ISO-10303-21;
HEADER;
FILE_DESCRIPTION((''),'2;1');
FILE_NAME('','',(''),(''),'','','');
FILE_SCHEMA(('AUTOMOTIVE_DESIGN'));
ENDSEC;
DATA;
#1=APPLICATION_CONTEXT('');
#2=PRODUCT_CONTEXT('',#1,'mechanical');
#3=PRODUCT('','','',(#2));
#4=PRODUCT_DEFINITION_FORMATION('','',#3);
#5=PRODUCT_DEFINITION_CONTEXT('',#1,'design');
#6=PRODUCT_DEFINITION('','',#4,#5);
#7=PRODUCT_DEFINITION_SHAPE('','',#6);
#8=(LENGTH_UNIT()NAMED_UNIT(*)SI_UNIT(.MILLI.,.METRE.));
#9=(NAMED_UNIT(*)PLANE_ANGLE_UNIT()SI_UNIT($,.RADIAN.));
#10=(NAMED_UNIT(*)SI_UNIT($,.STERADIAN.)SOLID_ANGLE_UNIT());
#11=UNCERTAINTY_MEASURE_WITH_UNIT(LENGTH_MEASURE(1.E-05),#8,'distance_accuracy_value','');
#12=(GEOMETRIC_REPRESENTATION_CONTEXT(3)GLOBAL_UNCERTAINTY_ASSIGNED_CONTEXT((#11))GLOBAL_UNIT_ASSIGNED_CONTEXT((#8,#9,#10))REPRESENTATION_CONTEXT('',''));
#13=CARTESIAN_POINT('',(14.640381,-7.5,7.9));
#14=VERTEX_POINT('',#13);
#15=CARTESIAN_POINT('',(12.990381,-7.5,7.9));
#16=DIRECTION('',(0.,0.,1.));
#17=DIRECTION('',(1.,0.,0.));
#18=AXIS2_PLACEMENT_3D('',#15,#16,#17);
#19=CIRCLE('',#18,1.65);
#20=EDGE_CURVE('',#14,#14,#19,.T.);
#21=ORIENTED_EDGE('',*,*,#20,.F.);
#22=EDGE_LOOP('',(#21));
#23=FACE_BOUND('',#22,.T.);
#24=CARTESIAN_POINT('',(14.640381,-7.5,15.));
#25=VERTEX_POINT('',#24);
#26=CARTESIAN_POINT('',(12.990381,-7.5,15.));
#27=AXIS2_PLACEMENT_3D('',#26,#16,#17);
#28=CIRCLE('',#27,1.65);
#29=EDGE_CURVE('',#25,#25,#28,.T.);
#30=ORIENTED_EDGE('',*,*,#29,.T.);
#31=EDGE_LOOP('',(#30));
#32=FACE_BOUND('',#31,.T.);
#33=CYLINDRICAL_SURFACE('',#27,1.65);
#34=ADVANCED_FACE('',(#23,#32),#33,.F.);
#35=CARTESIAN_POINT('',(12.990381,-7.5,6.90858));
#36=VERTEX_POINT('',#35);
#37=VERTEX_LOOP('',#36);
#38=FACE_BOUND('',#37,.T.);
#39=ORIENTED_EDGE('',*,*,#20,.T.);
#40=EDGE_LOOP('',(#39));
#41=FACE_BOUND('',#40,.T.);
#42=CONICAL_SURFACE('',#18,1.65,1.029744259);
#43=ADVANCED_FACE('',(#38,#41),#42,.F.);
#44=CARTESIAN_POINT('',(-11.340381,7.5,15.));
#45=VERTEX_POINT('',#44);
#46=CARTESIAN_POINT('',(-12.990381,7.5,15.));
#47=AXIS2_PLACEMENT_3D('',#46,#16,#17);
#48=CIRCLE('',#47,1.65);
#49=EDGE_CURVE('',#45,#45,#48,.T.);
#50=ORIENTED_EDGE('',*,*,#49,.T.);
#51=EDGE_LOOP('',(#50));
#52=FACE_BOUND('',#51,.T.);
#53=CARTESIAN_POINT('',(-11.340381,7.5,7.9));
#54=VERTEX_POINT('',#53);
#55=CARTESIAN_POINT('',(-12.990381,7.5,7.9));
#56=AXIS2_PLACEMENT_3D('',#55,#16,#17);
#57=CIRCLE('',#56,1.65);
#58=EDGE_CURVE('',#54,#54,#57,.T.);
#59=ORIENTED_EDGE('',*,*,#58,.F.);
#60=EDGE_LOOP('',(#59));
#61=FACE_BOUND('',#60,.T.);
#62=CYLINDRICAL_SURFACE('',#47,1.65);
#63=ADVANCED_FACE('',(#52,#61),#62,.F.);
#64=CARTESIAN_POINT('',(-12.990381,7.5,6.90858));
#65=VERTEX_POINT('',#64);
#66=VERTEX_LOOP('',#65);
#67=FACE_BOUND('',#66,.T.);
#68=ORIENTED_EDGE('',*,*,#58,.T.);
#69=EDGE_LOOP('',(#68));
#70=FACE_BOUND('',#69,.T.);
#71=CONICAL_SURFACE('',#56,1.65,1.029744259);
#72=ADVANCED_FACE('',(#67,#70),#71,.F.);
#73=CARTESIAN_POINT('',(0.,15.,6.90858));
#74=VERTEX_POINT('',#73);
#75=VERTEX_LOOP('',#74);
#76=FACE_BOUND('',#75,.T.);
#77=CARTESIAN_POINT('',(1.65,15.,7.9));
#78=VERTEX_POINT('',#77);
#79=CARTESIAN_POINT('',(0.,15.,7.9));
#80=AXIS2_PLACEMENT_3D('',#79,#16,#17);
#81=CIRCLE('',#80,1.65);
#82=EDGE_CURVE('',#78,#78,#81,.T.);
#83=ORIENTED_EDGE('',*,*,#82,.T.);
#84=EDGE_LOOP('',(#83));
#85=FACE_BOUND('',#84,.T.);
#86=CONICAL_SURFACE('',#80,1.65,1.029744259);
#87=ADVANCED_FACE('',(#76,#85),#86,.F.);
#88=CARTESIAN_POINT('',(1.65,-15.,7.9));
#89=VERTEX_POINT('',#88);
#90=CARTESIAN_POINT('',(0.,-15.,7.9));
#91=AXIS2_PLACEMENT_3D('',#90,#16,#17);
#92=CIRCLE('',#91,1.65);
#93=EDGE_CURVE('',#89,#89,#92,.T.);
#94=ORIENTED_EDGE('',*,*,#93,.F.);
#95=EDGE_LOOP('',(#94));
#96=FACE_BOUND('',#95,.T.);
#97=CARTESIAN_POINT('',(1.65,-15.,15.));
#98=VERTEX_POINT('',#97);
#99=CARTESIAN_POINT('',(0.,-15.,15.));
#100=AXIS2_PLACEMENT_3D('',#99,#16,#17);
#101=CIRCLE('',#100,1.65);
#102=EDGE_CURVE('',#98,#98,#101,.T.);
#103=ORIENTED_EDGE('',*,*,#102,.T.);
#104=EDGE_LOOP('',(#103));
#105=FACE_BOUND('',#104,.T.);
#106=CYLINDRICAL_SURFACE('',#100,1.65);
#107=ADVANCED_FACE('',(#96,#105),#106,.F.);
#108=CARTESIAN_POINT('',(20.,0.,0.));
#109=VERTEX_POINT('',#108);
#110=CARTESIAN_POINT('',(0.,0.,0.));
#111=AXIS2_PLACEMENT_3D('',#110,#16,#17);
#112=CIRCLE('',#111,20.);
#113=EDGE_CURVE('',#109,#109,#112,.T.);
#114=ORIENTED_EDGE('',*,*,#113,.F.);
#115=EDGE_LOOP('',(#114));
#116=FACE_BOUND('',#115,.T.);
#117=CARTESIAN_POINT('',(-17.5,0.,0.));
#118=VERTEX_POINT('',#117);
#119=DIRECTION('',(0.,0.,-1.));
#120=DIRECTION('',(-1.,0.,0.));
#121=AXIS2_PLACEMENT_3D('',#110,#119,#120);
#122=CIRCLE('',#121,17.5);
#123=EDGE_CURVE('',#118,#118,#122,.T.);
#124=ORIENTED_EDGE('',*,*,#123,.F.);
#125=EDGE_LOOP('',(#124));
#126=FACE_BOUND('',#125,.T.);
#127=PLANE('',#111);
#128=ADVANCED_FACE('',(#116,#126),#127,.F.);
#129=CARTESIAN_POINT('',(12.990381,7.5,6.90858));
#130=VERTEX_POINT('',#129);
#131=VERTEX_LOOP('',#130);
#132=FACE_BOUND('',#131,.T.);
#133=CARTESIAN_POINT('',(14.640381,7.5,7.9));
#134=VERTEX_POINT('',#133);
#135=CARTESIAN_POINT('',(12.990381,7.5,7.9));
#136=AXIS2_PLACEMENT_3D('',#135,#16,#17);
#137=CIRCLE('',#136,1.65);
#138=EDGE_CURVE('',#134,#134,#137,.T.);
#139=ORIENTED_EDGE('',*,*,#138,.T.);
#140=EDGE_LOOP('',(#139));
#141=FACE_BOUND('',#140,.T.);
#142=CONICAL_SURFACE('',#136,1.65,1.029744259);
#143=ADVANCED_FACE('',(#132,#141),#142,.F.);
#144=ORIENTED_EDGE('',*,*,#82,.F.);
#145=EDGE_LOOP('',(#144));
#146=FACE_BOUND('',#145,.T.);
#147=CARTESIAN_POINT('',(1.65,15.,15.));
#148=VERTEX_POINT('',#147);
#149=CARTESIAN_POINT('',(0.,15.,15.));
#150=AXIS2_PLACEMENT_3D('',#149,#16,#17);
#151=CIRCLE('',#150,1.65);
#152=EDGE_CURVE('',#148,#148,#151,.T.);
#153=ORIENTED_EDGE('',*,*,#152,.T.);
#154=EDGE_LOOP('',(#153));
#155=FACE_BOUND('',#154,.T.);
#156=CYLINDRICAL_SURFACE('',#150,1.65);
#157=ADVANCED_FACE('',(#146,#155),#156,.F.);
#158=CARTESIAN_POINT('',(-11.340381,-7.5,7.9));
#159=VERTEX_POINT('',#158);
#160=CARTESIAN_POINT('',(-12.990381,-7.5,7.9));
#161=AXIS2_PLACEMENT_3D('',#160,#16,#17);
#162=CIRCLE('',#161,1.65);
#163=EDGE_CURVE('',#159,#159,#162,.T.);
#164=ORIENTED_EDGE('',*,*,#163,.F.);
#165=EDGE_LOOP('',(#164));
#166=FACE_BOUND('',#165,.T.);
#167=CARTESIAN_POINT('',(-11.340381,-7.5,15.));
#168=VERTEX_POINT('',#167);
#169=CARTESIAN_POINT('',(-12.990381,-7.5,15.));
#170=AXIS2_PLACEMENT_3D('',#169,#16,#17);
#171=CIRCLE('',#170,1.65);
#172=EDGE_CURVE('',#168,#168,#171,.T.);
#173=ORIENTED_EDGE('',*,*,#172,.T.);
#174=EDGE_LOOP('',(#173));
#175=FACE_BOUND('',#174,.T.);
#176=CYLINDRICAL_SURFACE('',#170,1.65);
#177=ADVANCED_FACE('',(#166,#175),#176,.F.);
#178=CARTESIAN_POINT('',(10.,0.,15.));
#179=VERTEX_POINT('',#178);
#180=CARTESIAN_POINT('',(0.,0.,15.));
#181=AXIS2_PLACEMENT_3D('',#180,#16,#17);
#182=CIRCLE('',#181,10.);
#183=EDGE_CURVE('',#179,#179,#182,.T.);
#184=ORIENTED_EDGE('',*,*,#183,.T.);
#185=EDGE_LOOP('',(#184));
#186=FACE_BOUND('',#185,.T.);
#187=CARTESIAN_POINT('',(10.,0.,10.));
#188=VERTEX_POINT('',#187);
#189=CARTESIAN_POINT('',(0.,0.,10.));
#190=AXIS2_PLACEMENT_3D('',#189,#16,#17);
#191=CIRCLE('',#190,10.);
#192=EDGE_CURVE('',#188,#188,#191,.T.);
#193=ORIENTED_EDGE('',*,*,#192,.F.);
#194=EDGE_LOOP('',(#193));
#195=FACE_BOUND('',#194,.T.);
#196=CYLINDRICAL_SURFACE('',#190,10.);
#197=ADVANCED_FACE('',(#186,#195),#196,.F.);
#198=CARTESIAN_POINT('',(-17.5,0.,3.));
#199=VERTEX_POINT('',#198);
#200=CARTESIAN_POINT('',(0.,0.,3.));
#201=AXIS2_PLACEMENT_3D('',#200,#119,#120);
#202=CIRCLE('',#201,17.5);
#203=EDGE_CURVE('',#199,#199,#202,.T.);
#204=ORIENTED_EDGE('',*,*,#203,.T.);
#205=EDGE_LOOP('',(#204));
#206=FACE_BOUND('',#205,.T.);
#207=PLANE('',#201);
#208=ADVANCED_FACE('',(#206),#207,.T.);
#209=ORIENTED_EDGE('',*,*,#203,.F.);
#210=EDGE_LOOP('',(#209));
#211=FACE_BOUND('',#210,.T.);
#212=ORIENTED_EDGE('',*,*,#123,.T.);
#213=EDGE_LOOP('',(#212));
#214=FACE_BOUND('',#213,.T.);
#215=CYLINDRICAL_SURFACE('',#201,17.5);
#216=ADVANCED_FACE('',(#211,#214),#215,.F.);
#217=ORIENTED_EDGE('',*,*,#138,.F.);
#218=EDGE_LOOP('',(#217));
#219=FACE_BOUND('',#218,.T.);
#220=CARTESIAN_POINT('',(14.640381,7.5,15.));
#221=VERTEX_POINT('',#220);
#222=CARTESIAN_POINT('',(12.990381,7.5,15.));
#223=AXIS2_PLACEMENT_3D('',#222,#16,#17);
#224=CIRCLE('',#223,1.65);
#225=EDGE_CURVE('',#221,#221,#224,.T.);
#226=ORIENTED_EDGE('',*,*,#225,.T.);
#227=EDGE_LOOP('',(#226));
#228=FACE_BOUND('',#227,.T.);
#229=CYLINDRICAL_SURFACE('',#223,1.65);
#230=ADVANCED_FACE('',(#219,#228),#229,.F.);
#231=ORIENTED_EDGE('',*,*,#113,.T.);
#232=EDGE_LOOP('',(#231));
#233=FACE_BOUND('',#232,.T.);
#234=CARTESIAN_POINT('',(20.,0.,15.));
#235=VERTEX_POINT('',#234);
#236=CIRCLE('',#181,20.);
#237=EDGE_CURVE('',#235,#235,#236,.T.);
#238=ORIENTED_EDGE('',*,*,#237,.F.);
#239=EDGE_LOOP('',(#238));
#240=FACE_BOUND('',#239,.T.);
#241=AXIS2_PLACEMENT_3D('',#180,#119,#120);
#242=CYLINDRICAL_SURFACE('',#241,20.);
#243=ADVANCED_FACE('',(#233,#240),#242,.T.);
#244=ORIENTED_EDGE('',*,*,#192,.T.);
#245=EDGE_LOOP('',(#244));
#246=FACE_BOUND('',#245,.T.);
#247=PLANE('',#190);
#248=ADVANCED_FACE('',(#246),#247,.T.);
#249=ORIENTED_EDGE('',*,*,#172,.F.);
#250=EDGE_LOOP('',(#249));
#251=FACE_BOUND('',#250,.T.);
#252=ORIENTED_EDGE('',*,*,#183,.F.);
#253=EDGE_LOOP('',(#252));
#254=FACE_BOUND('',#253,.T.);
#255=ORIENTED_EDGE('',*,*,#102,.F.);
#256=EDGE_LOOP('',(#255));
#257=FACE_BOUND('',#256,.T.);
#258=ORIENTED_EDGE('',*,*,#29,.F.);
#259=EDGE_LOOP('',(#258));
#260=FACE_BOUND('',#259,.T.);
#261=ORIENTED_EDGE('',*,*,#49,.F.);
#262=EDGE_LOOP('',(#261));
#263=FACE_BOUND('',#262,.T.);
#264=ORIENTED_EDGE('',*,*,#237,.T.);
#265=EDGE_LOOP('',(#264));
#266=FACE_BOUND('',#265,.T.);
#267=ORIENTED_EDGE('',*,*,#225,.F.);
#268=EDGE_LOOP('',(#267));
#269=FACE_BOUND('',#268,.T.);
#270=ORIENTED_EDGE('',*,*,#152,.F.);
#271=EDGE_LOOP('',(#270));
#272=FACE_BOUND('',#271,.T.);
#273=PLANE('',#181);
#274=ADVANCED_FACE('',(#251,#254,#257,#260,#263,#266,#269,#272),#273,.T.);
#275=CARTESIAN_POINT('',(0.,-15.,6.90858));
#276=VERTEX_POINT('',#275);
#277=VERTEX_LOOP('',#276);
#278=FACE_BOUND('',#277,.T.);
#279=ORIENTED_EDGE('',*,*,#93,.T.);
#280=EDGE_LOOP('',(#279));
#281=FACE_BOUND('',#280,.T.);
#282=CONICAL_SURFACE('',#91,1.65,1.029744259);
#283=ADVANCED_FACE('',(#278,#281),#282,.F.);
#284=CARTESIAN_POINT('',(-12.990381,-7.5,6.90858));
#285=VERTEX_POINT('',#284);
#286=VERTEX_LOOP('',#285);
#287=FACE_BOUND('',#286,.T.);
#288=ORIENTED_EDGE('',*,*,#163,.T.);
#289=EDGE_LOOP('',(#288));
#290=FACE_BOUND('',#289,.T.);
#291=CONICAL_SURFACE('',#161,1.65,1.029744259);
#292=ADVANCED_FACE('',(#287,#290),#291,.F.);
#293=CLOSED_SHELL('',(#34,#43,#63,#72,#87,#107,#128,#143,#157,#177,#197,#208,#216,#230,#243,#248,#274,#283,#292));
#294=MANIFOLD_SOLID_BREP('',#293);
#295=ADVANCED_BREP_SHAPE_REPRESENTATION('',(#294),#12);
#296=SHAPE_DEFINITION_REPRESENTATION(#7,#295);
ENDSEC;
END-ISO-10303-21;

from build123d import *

# Parameters (mm, degrees)
SKETCH1_R           = 20
BOSS_EXTRUDE1_DEPTH = 15
SKETCH2_R           = 10
CUT_EXTRUDE1_DEPTH  = 5
CIRPATTERN2_COUNT   = 6
SKETCH5_R           = 17.5
CUT_EXTRUDE2_DEPTH  = 3


with BuildPart() as part:
    # Sketch1 → Boss-Extrude1 (new body)
    with BuildSketch(Plane.XY):
        Circle(SKETCH1_R)
    extrude(amount=BOSS_EXTRUDE1_DEPTH)

    # Sketch2 → Cut-Extrude1 (cut)
    with BuildSketch(Plane.XY.offset(15)):
        Circle(SKETCH2_R)
    extrude(amount=-CUT_EXTRUDE1_DEPTH, mode=Mode.SUBTRACT)

    # Sketch4 → M4x0.7 Tapped Hole1 (revolve, cut)
    with BuildSketch(Plane(origin=(0, 15, 15), x_dir=(0, -1, 0), z_dir=(1, 0, 0))):
        Polygon((0, 0), (0, 8.091420021), (1.65, 7.1), (1.65, 0), align=None)
    m4x0_7_tapped_hole1 = revolve(axis=Axis((0, 15, 21.35), (0, 0, -1)), mode=Mode.SUBTRACT)

    # CirPattern2: M4x0.7 Tapped Hole1 ×6 about axis
    cirpattern2_axis = Axis((0, 0, 0), (0, 0, 1))
    for i in range(1, CIRPATTERN2_COUNT):
        add(m4x0_7_tapped_hole1.rotate(cirpattern2_axis, i * 360 / CIRPATTERN2_COUNT), mode=Mode.SUBTRACT)

    # Sketch5 → Cut-Extrude2 (cut)
    with BuildSketch(Plane(origin=(0, 0, 0), x_dir=(-1, 0, 0), z_dir=(0, 0, -1))):
        Circle(SKETCH5_R)
    extrude(amount=-CUT_EXTRUDE2_DEPTH, mode=Mode.SUBTRACT)


solid = part.part
